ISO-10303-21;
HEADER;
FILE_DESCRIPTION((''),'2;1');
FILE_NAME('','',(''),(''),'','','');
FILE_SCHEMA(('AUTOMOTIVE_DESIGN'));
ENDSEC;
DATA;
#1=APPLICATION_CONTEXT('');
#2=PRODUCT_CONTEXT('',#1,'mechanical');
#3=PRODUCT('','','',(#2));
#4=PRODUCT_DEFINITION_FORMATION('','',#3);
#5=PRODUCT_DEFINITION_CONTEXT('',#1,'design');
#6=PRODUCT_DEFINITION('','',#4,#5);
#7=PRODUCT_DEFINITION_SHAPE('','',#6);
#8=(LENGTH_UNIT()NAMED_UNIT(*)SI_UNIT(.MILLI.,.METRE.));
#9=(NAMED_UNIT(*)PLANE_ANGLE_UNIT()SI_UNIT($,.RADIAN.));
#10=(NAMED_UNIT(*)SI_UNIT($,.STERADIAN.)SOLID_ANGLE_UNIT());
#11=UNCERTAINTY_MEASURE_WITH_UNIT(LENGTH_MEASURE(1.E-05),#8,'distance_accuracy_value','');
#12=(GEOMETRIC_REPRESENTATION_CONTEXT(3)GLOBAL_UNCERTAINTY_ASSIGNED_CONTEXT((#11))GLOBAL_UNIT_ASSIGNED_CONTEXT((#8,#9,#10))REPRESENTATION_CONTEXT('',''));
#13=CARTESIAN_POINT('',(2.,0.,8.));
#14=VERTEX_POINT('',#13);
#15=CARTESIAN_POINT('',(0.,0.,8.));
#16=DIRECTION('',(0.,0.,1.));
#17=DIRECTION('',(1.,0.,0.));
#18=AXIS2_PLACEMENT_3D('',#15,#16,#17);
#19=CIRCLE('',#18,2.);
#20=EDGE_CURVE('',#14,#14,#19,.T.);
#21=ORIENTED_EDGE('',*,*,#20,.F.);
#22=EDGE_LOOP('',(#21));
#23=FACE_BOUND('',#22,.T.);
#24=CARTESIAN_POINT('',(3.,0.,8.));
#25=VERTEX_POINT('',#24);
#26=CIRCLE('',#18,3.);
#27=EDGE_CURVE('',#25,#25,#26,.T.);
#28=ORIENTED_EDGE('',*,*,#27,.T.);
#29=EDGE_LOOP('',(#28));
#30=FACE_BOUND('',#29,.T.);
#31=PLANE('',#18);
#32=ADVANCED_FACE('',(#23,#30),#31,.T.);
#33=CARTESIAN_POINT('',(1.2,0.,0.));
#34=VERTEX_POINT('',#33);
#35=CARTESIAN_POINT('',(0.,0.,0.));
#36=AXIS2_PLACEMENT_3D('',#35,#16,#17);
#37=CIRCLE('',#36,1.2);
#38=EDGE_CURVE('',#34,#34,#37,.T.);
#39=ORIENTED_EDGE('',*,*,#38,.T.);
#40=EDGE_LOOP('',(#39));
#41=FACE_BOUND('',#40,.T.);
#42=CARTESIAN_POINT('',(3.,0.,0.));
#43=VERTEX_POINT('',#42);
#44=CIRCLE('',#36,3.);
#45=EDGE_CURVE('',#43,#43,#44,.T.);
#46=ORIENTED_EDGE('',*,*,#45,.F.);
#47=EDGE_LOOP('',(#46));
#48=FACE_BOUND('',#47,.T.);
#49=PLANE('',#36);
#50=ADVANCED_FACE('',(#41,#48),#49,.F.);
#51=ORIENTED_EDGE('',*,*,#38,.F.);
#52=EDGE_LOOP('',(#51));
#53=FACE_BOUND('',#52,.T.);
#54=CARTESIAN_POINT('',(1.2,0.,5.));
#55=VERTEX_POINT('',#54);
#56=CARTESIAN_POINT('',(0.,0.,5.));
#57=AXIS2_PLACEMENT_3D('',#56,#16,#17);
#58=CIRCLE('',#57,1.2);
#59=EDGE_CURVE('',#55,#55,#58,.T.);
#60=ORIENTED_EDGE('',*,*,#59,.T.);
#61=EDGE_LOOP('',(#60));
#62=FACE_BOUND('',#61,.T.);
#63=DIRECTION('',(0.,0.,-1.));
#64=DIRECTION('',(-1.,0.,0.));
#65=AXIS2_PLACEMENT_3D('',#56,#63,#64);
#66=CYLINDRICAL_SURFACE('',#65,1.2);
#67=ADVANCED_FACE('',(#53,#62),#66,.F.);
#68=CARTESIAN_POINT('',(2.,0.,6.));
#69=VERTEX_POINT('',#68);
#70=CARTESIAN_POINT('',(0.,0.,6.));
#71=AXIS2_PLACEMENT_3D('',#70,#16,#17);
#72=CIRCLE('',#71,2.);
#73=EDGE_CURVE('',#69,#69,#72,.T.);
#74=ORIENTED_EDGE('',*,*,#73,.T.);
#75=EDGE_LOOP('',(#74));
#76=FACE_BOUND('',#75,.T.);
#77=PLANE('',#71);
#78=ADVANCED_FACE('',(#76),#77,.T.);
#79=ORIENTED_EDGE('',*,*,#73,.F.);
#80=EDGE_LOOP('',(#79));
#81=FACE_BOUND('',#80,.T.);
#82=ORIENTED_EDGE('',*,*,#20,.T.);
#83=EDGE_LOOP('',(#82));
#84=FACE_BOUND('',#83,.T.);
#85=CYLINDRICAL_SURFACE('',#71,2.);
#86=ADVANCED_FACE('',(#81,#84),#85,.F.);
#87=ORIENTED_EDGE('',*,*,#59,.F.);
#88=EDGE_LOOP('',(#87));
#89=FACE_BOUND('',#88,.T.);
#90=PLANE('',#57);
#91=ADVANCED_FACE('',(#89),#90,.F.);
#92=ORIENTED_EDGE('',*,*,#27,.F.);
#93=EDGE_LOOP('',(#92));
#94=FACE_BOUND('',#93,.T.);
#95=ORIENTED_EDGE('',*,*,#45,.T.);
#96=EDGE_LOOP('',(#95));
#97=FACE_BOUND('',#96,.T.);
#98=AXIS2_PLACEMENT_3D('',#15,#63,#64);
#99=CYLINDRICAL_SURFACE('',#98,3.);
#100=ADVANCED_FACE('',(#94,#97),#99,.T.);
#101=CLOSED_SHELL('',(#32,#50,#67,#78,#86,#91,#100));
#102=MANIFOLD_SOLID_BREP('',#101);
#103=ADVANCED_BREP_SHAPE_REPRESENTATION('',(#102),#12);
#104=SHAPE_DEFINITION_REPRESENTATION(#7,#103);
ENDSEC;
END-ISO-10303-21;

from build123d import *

# Parameters (mm, degrees)
SKETCH1_R           = 3
SKETCH1_R_2         = 2
SKETCH1_R_3         = 1.2
BOSS_EXTRUDE1_DEPTH = 8
CUT_EXTRUDE1_START  = 8
SKETCH1_3_R         = 2
SKETCH1_3_R_2       = 1.2
CUT_EXTRUDE1_DEPTH  = 2
SKETCH1_4_R         = 1.2
CUT_EXTRUDE2_DEPTH  = 5


with BuildPart() as part:
    # Sketch1 → Boss-Extrude1 (new body)
    # profile 1 of 3: a face of its own
    with BuildSketch(Plane(origin=(0, 0, 0), x_dir=(0, 1, 0), z_dir=(0, 0, 1))):
        with Locations(Location((0, 0, 0), (0, 0, 270))):
            Circle(SKETCH1_R)
        Circle(SKETCH1_R_2, mode=Mode.SUBTRACT)
    # profile 2 of 3: a face of its own
    with BuildSketch(Plane(origin=(0, 0, 0), x_dir=(0, 1, 0), z_dir=(0, 0, 1))):
        Circle(SKETCH1_R_2)
        Circle(SKETCH1_R_3, mode=Mode.SUBTRACT)
    # profile 3 of 3: a face of its own
    with BuildSketch(Plane(origin=(0, 0, 0), x_dir=(0, 1, 0), z_dir=(0, 0, 1))):
        Circle(SKETCH1_R_3)
    extrude(amount=BOSS_EXTRUDE1_DEPTH)

    # Sketch1<3> → Cut-Extrude1 (cut)
    # profile 1 of 2: a face of its own
    with BuildSketch(Plane(origin=(0, 0, 0), x_dir=(0, 1, 0), z_dir=(0, 0, 1)).offset(CUT_EXTRUDE1_START)):
        with Locations(Location((0, 0, 0), (0, 0, 270))):
            Circle(SKETCH1_3_R)
        Circle(SKETCH1_3_R_2, mode=Mode.SUBTRACT)
    # profile 2 of 2: a face of its own
    with BuildSketch(Plane(origin=(0, 0, 0), x_dir=(0, 1, 0), z_dir=(0, 0, 1)).offset(CUT_EXTRUDE1_START)):
        Circle(SKETCH1_3_R_2)
    extrude(amount=-CUT_EXTRUDE1_DEPTH, mode=Mode.SUBTRACT)

    # Sketch1<4> → Cut-Extrude2 (cut)
    with BuildSketch(Plane(origin=(0, 0, 0), x_dir=(0, 1, 0), z_dir=(0, 0, 1))):
        with Locations(Location((0, 0, 0), (0, 0, 270))):
            Circle(SKETCH1_4_R)
    extrude(amount=CUT_EXTRUDE2_DEPTH, mode=Mode.SUBTRACT)


solid = part.part
